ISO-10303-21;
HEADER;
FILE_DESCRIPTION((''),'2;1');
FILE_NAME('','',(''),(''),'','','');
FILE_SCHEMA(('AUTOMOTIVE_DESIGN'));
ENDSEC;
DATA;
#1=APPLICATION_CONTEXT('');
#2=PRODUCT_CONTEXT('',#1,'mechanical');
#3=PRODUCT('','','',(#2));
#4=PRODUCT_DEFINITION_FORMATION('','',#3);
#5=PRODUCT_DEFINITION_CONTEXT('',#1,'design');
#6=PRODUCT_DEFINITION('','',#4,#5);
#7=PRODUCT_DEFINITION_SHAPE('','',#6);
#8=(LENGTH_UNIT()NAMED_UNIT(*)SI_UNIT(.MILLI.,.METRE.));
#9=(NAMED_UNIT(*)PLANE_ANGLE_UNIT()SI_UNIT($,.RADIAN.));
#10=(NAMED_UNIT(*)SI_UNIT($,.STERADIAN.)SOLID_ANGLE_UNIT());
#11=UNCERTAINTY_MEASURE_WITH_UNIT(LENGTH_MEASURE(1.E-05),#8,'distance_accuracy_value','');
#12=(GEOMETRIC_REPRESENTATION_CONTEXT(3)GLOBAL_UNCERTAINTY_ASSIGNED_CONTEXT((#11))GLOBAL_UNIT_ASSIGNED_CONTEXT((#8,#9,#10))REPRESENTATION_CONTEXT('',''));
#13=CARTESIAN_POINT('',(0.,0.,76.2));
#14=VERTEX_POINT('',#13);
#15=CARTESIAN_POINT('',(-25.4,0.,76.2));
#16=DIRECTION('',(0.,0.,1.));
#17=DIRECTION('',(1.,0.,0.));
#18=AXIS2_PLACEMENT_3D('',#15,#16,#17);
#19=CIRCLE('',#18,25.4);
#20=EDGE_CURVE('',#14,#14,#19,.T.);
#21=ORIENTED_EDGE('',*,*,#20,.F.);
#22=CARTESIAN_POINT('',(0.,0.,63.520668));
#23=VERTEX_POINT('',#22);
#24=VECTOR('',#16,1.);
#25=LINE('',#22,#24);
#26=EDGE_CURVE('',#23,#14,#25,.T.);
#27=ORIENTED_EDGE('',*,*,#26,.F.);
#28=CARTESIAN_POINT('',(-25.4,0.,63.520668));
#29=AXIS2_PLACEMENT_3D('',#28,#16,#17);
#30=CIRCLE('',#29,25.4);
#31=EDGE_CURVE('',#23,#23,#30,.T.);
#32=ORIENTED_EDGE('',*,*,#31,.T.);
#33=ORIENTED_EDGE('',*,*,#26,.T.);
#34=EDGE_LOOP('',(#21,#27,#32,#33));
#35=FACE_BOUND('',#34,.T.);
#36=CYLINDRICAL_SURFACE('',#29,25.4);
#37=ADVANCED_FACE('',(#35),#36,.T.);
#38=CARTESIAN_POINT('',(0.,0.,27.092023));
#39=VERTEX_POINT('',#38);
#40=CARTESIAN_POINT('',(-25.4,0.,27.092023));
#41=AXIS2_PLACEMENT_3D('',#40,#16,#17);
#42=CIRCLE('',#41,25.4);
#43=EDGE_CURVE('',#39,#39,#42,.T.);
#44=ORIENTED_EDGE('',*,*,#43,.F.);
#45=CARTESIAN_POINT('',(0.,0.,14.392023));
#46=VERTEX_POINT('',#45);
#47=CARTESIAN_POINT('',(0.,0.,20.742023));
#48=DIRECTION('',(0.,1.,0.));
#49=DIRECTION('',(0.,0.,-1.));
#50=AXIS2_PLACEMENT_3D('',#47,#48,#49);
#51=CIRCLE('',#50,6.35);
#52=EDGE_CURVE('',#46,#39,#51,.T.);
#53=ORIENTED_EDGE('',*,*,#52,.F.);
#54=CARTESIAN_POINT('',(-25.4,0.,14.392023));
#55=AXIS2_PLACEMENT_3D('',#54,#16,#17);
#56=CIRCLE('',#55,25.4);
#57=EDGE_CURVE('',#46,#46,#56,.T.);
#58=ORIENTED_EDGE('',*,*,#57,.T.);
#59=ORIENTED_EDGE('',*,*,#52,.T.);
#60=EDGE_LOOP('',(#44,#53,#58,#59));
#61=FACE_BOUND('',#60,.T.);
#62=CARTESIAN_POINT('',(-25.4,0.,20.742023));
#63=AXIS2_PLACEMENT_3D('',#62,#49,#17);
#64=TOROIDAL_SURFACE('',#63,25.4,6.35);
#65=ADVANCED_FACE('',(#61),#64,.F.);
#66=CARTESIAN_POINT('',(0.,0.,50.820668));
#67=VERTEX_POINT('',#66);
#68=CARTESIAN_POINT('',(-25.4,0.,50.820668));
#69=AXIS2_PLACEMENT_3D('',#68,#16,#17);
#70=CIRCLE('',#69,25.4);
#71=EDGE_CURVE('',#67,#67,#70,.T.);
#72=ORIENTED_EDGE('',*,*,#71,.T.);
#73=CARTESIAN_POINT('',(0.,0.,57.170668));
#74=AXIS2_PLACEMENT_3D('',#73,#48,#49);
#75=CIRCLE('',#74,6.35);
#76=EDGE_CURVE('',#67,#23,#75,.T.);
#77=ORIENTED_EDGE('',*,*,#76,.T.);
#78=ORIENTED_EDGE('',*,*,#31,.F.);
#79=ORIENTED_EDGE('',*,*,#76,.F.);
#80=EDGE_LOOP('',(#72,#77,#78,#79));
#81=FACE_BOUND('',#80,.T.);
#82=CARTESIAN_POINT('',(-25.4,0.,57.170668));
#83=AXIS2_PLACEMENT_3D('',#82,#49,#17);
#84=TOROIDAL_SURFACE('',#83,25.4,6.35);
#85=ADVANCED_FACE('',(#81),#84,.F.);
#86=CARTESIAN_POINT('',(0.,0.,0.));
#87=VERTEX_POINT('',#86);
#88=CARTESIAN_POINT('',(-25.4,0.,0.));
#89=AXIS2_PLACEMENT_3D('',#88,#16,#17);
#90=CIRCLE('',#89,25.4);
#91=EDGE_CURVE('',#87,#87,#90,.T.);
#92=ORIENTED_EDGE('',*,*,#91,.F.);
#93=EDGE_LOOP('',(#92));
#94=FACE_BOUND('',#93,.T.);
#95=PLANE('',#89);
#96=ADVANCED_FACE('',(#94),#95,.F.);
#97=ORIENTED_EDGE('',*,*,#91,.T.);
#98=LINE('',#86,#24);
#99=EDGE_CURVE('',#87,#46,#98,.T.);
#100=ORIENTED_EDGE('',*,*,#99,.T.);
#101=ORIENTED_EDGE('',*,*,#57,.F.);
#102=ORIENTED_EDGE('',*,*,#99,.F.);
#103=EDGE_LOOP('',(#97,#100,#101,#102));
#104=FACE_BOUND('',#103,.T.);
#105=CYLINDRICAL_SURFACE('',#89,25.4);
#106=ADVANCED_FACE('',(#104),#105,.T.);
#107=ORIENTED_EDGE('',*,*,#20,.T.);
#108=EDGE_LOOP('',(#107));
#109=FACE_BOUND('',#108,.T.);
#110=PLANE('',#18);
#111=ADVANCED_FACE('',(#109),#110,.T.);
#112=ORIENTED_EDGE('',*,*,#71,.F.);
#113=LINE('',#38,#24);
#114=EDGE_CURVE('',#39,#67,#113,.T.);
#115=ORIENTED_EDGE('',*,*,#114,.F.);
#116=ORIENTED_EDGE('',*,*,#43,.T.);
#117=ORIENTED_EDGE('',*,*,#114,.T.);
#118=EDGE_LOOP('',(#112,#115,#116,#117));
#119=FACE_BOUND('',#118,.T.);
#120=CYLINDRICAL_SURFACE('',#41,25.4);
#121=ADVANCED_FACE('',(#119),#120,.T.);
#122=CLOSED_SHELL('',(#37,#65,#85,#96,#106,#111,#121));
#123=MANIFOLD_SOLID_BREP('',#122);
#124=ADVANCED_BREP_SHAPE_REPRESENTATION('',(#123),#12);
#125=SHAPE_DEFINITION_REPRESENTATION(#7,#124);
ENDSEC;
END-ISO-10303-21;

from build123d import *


with BuildPart() as f1:
    # F0 (on Front) → F1 (revolve)
    with BuildSketch(Plane.XZ):
        with BuildLine():
            Line((-25.4, 0), (0, 0))
            Line((0, 0), (0, 14.392023))
            ThreePointArc((0, 14.392023), (-6.35, 20.742023), (0, 27.092023))
            Line((0, 27.092023), (0, 50.820668))
            ThreePointArc((0, 50.820668), (-6.35, 57.170668), (0, 63.520668))
            Line((0, 63.520668), (0, 76.2))
            Line((0, 76.2), (-25.4, 76.2))
            Line((-25.4, 76.2), (-25.4, 0))
        make_face()
    revolve(axis=Axis((-25.4, 0, 38.1), (0, 0, 1)))


solid = f1.part
